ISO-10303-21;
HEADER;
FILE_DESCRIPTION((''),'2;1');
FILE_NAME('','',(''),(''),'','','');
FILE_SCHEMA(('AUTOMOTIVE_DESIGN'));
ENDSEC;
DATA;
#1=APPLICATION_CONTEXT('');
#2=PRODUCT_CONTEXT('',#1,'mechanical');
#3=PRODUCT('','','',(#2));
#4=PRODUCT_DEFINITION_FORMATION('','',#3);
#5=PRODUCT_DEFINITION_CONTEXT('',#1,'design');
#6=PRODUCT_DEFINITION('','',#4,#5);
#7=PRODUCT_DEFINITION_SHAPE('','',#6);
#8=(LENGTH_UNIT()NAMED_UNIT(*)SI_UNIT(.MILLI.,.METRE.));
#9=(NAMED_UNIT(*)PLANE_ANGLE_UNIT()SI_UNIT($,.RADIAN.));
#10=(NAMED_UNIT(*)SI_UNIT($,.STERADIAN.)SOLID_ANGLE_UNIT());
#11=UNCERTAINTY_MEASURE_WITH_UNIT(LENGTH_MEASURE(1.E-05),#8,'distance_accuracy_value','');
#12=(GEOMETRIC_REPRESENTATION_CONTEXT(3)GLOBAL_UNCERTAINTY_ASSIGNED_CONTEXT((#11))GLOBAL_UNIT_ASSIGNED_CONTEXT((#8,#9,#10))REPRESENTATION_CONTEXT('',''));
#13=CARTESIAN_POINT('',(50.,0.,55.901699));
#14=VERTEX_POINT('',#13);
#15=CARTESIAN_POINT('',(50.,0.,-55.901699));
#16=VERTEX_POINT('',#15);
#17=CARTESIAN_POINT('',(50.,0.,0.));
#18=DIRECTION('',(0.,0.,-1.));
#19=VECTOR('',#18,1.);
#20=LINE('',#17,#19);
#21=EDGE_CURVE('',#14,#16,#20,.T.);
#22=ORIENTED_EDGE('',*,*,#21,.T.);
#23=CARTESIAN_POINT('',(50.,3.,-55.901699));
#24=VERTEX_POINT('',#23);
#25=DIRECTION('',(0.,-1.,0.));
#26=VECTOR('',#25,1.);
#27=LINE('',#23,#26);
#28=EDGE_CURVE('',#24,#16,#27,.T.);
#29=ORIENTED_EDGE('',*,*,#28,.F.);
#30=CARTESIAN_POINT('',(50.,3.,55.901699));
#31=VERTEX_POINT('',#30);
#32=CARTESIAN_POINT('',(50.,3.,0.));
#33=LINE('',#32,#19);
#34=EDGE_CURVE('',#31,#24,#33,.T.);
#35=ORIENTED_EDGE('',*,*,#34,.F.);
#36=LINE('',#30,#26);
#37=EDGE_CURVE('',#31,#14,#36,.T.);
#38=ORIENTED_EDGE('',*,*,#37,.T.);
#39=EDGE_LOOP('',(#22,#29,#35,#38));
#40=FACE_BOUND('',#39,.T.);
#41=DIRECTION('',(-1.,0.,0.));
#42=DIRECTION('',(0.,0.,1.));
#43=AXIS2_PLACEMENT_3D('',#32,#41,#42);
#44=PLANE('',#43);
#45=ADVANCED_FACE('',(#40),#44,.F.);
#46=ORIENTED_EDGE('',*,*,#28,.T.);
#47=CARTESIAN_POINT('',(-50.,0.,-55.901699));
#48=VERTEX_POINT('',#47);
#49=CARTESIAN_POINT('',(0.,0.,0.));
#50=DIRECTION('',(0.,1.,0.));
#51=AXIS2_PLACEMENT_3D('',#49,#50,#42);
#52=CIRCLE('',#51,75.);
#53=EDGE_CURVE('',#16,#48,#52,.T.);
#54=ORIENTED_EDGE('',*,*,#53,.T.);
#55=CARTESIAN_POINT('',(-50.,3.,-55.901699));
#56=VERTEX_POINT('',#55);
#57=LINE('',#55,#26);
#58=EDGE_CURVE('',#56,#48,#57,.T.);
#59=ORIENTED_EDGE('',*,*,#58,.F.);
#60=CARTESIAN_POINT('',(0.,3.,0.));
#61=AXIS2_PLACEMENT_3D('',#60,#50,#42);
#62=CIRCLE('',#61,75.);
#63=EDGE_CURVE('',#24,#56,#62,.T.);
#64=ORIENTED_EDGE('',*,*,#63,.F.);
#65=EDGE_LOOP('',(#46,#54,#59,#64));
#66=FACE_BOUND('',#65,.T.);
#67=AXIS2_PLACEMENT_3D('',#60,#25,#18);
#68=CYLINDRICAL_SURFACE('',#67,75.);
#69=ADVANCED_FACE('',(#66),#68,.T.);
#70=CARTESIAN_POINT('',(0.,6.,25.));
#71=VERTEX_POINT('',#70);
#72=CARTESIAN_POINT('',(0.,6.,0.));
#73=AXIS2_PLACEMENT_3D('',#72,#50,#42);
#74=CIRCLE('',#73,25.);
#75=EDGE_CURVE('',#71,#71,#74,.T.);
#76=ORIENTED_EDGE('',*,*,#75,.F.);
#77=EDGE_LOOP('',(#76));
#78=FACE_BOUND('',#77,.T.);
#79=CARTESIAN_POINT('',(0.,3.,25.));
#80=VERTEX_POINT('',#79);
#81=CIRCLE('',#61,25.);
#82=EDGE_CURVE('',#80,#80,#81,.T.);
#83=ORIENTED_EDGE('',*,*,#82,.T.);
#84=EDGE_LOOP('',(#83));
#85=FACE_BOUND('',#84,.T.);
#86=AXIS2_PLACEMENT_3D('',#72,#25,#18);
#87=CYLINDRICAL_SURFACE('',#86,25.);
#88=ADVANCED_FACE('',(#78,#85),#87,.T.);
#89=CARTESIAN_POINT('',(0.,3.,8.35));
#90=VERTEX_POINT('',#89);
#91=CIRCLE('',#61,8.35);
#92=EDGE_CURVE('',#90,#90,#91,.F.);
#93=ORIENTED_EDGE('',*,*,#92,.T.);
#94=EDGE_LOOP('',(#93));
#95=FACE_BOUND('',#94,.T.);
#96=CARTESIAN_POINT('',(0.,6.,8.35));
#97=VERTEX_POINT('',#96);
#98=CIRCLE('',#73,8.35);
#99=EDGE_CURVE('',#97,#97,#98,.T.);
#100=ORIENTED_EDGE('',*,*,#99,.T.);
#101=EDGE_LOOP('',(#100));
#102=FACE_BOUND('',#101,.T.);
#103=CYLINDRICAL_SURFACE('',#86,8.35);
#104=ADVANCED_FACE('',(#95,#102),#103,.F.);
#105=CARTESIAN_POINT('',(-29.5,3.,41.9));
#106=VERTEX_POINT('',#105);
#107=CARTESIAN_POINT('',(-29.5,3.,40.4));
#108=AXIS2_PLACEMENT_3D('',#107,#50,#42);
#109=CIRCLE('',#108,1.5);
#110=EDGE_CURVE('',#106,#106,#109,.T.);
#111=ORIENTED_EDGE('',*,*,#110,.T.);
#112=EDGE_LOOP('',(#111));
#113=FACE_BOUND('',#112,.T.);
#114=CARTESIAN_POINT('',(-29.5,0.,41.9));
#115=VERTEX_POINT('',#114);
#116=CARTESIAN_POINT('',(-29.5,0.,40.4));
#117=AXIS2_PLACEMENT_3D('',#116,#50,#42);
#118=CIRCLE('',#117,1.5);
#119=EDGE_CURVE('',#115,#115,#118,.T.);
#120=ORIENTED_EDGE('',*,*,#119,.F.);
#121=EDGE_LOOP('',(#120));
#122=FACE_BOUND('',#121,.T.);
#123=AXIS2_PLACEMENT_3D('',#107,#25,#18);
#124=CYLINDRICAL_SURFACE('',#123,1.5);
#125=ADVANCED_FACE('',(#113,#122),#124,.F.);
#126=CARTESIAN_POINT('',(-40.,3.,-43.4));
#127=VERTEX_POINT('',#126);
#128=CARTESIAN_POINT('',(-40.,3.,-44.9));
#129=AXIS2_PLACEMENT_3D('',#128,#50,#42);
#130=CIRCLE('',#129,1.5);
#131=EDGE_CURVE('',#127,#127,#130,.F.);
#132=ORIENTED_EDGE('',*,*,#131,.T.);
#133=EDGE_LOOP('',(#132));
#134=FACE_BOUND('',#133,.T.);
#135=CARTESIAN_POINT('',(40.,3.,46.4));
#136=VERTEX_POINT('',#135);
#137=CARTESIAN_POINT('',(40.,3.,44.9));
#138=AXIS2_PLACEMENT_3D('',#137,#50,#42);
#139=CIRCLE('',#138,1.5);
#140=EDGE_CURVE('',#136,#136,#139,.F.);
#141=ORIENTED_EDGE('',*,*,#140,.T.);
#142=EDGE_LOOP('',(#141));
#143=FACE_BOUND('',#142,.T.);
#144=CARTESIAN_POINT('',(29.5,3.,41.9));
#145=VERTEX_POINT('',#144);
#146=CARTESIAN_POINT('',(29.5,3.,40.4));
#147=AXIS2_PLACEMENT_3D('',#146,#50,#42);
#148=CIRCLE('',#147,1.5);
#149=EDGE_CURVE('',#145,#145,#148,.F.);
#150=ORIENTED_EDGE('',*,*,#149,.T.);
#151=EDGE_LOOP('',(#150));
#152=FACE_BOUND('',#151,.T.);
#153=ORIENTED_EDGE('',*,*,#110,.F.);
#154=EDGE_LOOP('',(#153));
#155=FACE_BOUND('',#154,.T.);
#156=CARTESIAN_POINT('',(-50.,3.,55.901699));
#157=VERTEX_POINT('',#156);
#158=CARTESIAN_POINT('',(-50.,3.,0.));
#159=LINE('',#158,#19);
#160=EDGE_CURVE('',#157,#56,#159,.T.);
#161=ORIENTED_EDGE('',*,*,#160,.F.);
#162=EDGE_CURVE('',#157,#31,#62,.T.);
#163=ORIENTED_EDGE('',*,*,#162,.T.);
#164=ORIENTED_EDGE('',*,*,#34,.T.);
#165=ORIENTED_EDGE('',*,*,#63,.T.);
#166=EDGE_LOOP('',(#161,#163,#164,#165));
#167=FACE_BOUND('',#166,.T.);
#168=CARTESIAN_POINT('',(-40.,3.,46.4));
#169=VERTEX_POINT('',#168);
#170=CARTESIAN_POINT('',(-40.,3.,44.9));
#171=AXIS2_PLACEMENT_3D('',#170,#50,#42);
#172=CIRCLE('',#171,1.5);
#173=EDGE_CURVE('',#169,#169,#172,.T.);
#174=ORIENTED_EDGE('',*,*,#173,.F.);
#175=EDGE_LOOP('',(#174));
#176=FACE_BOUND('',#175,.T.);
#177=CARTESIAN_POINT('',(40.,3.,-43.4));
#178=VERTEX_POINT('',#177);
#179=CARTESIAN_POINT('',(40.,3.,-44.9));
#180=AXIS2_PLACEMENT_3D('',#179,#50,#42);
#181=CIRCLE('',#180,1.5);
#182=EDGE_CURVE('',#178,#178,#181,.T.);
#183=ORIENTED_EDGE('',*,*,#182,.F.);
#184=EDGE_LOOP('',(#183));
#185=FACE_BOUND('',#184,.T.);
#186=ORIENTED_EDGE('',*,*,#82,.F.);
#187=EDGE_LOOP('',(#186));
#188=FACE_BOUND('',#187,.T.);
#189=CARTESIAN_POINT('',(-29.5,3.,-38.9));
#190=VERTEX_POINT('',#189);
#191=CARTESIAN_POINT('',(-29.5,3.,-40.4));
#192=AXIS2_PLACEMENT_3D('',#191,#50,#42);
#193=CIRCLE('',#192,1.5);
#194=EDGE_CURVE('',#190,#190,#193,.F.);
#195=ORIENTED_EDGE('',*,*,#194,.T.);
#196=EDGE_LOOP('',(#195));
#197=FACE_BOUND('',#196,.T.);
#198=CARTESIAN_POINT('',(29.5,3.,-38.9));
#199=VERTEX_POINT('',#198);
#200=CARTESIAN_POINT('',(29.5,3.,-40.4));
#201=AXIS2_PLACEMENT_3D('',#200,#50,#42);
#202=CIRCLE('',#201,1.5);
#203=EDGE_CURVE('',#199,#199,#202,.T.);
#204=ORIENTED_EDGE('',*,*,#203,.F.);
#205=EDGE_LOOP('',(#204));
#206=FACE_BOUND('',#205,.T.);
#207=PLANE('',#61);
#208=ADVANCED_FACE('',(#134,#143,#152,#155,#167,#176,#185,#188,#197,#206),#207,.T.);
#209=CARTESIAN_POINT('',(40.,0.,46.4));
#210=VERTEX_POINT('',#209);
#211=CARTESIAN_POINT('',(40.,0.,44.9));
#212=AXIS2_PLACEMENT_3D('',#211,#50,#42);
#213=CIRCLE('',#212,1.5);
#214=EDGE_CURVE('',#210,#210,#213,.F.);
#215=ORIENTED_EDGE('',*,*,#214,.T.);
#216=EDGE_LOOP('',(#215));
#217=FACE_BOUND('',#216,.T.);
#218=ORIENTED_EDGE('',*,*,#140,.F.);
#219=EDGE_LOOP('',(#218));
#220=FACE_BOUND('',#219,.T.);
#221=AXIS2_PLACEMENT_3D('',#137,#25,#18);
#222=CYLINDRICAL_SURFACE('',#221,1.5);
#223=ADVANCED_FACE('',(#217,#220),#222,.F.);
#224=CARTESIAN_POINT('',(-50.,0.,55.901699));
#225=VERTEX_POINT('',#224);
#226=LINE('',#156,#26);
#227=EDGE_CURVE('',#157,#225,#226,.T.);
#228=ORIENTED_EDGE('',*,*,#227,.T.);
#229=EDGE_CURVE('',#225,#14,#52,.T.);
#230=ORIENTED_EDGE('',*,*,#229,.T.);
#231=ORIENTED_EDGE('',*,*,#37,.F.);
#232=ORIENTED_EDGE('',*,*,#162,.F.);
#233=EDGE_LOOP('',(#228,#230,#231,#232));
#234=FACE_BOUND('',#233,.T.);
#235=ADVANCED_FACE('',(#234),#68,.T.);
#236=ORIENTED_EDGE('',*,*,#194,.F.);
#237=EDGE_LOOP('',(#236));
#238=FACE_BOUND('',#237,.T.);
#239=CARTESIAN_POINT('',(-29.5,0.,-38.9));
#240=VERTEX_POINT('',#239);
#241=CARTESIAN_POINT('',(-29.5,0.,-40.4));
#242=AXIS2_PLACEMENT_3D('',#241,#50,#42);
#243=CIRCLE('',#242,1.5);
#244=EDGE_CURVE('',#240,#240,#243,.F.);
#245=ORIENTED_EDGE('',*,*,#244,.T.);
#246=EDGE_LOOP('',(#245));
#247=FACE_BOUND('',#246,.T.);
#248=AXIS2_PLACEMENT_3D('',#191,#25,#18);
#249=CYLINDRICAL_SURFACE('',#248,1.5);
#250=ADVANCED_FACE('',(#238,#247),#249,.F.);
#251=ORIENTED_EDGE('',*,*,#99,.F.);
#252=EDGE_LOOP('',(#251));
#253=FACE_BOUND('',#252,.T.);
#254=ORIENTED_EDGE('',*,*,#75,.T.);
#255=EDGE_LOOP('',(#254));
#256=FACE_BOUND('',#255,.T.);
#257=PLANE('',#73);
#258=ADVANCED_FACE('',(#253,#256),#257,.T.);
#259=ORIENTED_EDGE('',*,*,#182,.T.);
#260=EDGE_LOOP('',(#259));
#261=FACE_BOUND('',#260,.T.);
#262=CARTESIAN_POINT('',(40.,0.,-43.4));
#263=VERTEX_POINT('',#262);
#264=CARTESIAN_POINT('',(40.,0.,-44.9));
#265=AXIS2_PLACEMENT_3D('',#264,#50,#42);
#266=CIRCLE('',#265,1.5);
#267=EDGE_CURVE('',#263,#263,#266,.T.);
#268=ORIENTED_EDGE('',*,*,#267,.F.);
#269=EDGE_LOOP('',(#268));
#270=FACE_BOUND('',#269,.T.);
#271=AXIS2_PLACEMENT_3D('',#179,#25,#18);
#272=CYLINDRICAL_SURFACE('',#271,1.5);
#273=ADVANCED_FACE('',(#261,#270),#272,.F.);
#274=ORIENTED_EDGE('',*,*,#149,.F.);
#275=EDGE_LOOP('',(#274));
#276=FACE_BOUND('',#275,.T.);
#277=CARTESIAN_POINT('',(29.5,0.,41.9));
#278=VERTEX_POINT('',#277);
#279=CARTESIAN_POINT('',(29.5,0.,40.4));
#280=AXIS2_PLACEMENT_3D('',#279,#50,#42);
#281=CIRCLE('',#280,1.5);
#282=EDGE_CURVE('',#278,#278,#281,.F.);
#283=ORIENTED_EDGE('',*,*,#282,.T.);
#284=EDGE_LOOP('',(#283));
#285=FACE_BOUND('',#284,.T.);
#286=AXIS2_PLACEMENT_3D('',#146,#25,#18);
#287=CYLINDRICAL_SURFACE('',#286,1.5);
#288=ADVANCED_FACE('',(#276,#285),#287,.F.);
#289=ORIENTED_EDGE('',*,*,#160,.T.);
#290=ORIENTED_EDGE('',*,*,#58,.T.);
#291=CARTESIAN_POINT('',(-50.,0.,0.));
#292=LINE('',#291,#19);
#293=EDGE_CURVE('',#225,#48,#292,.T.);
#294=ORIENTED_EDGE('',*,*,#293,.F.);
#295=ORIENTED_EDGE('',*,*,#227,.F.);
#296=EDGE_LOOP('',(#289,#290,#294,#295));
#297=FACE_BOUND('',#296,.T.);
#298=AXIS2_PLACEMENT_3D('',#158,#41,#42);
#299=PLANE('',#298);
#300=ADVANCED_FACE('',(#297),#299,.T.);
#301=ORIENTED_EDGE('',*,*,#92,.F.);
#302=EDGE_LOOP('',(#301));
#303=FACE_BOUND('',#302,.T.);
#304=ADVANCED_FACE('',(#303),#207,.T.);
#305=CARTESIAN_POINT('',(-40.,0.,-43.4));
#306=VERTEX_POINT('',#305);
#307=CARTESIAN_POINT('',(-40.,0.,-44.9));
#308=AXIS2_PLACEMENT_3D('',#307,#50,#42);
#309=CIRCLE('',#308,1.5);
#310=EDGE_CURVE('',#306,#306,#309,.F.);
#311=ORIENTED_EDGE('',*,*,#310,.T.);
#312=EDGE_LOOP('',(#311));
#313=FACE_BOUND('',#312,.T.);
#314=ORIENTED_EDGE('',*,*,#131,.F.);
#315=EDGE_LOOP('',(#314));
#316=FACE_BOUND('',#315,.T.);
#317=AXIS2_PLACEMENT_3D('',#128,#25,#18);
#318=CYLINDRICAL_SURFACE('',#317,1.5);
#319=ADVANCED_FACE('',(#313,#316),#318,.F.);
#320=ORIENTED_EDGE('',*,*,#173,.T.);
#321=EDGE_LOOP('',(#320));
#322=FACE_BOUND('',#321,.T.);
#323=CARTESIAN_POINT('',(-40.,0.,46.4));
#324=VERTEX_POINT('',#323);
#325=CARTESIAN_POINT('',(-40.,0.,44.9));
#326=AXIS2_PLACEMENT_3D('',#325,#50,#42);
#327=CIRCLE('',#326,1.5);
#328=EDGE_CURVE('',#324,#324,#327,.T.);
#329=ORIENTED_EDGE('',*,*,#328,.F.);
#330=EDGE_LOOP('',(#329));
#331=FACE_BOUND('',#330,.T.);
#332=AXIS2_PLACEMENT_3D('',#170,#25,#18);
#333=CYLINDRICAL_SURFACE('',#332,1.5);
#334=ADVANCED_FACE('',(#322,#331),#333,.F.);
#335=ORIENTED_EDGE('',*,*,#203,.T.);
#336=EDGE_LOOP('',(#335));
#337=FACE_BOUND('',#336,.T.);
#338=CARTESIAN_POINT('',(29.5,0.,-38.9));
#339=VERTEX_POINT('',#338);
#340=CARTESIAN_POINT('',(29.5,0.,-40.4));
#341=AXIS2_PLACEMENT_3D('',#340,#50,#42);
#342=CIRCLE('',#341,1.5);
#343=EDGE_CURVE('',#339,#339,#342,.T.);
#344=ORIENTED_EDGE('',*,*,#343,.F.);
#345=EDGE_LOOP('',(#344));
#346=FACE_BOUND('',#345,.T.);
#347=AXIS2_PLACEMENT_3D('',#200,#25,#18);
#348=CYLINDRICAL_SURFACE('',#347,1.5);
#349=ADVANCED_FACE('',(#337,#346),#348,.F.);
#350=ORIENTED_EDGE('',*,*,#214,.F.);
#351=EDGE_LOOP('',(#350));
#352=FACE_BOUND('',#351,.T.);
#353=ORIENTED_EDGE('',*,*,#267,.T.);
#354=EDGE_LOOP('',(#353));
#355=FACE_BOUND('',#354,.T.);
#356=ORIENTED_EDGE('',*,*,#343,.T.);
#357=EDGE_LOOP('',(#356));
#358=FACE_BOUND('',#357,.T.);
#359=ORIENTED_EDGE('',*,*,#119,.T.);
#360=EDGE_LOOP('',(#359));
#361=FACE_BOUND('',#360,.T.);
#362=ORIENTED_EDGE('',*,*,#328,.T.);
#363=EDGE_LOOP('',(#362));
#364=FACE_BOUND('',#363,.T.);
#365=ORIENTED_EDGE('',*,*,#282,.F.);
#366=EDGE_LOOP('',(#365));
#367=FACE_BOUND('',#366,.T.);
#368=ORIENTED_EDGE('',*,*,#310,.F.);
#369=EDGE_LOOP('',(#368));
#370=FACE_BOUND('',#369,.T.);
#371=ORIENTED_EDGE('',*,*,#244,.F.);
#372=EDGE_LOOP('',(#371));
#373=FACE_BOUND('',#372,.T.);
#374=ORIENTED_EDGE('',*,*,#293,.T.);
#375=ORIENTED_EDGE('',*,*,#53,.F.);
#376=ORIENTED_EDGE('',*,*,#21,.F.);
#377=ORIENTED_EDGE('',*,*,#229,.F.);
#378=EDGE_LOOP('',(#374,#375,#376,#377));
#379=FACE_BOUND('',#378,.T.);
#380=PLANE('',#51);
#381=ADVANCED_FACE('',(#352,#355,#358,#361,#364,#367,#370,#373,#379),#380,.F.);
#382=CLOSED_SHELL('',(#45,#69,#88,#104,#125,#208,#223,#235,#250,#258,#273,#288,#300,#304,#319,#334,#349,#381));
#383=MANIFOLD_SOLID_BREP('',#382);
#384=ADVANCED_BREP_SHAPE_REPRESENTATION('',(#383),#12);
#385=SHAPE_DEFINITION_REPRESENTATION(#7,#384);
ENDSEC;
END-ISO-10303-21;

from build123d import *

# Parameters (mm, degrees)
SKETCH1_R           = 1.5
BOSS_EXTRUDE1_DEPTH = 3
SKETCH2_R           = 25
SKETCH2_R_2         = 8.35
BOSS_EXTRUDE2_DEPTH = 3


with BuildPart() as part:
    # Sketch1 → Boss-Extrude1 (new body)
    with BuildSketch(Plane(origin=(0, 0, 0), x_dir=(1, 0, 0), z_dir=(0, 1, 0))):
        with BuildLine():
            Line((50, 0), (50, 55.901699437))
            ThreePointArc((50, 55.901699437), (0, 75), (-50, 55.901699437))
            Line((-50, 55.901699437), (-50, 0))
            Line((-50, 0), (-50, -55.901699437))
            ThreePointArc((-50, -55.901699437), (0, -75), (50, -55.901699437))
            Line((50, -55.901699437), (50, 0))
        make_face()
        with Locations(Location((-40, -44.9, 0), (0, 0, 270))):
            Circle(SKETCH1_R, mode=Mode.SUBTRACT)
        with Locations(Location((-29.5, -40.4, 0), (0, 0, 270))):
            Circle(SKETCH1_R, mode=Mode.SUBTRACT)
        with Locations(Location((29.5, -40.4, 0), (0, 0, 270))):
            Circle(SKETCH1_R, mode=Mode.SUBTRACT)
        with Locations(Location((-29.5, 40.4, 0), (0, 0, 270))):
            Circle(SKETCH1_R, mode=Mode.SUBTRACT)
        with Locations(Location((29.5, 40.4, 0), (0, 0, 270))):
            Circle(SKETCH1_R, mode=Mode.SUBTRACT)
        with Locations(Location((40, 44.9, 0), (0, 0, 270))):
            Circle(SKETCH1_R, mode=Mode.SUBTRACT)
        with Locations(Location((-40, 44.9, 0), (0, 0, 270))):
            Circle(SKETCH1_R, mode=Mode.SUBTRACT)
        with Locations(Location((40, -44.9, 0), (0, 0, 270))):
            Circle(SKETCH1_R, mode=Mode.SUBTRACT)
    extrude(amount=BOSS_EXTRUDE1_DEPTH)

    # Sketch2 → Boss-Extrude2 (add)
    with BuildSketch(Plane(origin=(0, 3, 0), x_dir=(1, 0, 0), z_dir=(0, 1, 0))):
        with Locations(Location((0, 0, 0), (0, 0, 270))):
            Circle(SKETCH2_R)
        with Locations(Location((0, 0, 0), (0, 0, 270))):
            Circle(SKETCH2_R_2, mode=Mode.SUBTRACT)
    extrude(amount=BOSS_EXTRUDE2_DEPTH)


solid = part.part
